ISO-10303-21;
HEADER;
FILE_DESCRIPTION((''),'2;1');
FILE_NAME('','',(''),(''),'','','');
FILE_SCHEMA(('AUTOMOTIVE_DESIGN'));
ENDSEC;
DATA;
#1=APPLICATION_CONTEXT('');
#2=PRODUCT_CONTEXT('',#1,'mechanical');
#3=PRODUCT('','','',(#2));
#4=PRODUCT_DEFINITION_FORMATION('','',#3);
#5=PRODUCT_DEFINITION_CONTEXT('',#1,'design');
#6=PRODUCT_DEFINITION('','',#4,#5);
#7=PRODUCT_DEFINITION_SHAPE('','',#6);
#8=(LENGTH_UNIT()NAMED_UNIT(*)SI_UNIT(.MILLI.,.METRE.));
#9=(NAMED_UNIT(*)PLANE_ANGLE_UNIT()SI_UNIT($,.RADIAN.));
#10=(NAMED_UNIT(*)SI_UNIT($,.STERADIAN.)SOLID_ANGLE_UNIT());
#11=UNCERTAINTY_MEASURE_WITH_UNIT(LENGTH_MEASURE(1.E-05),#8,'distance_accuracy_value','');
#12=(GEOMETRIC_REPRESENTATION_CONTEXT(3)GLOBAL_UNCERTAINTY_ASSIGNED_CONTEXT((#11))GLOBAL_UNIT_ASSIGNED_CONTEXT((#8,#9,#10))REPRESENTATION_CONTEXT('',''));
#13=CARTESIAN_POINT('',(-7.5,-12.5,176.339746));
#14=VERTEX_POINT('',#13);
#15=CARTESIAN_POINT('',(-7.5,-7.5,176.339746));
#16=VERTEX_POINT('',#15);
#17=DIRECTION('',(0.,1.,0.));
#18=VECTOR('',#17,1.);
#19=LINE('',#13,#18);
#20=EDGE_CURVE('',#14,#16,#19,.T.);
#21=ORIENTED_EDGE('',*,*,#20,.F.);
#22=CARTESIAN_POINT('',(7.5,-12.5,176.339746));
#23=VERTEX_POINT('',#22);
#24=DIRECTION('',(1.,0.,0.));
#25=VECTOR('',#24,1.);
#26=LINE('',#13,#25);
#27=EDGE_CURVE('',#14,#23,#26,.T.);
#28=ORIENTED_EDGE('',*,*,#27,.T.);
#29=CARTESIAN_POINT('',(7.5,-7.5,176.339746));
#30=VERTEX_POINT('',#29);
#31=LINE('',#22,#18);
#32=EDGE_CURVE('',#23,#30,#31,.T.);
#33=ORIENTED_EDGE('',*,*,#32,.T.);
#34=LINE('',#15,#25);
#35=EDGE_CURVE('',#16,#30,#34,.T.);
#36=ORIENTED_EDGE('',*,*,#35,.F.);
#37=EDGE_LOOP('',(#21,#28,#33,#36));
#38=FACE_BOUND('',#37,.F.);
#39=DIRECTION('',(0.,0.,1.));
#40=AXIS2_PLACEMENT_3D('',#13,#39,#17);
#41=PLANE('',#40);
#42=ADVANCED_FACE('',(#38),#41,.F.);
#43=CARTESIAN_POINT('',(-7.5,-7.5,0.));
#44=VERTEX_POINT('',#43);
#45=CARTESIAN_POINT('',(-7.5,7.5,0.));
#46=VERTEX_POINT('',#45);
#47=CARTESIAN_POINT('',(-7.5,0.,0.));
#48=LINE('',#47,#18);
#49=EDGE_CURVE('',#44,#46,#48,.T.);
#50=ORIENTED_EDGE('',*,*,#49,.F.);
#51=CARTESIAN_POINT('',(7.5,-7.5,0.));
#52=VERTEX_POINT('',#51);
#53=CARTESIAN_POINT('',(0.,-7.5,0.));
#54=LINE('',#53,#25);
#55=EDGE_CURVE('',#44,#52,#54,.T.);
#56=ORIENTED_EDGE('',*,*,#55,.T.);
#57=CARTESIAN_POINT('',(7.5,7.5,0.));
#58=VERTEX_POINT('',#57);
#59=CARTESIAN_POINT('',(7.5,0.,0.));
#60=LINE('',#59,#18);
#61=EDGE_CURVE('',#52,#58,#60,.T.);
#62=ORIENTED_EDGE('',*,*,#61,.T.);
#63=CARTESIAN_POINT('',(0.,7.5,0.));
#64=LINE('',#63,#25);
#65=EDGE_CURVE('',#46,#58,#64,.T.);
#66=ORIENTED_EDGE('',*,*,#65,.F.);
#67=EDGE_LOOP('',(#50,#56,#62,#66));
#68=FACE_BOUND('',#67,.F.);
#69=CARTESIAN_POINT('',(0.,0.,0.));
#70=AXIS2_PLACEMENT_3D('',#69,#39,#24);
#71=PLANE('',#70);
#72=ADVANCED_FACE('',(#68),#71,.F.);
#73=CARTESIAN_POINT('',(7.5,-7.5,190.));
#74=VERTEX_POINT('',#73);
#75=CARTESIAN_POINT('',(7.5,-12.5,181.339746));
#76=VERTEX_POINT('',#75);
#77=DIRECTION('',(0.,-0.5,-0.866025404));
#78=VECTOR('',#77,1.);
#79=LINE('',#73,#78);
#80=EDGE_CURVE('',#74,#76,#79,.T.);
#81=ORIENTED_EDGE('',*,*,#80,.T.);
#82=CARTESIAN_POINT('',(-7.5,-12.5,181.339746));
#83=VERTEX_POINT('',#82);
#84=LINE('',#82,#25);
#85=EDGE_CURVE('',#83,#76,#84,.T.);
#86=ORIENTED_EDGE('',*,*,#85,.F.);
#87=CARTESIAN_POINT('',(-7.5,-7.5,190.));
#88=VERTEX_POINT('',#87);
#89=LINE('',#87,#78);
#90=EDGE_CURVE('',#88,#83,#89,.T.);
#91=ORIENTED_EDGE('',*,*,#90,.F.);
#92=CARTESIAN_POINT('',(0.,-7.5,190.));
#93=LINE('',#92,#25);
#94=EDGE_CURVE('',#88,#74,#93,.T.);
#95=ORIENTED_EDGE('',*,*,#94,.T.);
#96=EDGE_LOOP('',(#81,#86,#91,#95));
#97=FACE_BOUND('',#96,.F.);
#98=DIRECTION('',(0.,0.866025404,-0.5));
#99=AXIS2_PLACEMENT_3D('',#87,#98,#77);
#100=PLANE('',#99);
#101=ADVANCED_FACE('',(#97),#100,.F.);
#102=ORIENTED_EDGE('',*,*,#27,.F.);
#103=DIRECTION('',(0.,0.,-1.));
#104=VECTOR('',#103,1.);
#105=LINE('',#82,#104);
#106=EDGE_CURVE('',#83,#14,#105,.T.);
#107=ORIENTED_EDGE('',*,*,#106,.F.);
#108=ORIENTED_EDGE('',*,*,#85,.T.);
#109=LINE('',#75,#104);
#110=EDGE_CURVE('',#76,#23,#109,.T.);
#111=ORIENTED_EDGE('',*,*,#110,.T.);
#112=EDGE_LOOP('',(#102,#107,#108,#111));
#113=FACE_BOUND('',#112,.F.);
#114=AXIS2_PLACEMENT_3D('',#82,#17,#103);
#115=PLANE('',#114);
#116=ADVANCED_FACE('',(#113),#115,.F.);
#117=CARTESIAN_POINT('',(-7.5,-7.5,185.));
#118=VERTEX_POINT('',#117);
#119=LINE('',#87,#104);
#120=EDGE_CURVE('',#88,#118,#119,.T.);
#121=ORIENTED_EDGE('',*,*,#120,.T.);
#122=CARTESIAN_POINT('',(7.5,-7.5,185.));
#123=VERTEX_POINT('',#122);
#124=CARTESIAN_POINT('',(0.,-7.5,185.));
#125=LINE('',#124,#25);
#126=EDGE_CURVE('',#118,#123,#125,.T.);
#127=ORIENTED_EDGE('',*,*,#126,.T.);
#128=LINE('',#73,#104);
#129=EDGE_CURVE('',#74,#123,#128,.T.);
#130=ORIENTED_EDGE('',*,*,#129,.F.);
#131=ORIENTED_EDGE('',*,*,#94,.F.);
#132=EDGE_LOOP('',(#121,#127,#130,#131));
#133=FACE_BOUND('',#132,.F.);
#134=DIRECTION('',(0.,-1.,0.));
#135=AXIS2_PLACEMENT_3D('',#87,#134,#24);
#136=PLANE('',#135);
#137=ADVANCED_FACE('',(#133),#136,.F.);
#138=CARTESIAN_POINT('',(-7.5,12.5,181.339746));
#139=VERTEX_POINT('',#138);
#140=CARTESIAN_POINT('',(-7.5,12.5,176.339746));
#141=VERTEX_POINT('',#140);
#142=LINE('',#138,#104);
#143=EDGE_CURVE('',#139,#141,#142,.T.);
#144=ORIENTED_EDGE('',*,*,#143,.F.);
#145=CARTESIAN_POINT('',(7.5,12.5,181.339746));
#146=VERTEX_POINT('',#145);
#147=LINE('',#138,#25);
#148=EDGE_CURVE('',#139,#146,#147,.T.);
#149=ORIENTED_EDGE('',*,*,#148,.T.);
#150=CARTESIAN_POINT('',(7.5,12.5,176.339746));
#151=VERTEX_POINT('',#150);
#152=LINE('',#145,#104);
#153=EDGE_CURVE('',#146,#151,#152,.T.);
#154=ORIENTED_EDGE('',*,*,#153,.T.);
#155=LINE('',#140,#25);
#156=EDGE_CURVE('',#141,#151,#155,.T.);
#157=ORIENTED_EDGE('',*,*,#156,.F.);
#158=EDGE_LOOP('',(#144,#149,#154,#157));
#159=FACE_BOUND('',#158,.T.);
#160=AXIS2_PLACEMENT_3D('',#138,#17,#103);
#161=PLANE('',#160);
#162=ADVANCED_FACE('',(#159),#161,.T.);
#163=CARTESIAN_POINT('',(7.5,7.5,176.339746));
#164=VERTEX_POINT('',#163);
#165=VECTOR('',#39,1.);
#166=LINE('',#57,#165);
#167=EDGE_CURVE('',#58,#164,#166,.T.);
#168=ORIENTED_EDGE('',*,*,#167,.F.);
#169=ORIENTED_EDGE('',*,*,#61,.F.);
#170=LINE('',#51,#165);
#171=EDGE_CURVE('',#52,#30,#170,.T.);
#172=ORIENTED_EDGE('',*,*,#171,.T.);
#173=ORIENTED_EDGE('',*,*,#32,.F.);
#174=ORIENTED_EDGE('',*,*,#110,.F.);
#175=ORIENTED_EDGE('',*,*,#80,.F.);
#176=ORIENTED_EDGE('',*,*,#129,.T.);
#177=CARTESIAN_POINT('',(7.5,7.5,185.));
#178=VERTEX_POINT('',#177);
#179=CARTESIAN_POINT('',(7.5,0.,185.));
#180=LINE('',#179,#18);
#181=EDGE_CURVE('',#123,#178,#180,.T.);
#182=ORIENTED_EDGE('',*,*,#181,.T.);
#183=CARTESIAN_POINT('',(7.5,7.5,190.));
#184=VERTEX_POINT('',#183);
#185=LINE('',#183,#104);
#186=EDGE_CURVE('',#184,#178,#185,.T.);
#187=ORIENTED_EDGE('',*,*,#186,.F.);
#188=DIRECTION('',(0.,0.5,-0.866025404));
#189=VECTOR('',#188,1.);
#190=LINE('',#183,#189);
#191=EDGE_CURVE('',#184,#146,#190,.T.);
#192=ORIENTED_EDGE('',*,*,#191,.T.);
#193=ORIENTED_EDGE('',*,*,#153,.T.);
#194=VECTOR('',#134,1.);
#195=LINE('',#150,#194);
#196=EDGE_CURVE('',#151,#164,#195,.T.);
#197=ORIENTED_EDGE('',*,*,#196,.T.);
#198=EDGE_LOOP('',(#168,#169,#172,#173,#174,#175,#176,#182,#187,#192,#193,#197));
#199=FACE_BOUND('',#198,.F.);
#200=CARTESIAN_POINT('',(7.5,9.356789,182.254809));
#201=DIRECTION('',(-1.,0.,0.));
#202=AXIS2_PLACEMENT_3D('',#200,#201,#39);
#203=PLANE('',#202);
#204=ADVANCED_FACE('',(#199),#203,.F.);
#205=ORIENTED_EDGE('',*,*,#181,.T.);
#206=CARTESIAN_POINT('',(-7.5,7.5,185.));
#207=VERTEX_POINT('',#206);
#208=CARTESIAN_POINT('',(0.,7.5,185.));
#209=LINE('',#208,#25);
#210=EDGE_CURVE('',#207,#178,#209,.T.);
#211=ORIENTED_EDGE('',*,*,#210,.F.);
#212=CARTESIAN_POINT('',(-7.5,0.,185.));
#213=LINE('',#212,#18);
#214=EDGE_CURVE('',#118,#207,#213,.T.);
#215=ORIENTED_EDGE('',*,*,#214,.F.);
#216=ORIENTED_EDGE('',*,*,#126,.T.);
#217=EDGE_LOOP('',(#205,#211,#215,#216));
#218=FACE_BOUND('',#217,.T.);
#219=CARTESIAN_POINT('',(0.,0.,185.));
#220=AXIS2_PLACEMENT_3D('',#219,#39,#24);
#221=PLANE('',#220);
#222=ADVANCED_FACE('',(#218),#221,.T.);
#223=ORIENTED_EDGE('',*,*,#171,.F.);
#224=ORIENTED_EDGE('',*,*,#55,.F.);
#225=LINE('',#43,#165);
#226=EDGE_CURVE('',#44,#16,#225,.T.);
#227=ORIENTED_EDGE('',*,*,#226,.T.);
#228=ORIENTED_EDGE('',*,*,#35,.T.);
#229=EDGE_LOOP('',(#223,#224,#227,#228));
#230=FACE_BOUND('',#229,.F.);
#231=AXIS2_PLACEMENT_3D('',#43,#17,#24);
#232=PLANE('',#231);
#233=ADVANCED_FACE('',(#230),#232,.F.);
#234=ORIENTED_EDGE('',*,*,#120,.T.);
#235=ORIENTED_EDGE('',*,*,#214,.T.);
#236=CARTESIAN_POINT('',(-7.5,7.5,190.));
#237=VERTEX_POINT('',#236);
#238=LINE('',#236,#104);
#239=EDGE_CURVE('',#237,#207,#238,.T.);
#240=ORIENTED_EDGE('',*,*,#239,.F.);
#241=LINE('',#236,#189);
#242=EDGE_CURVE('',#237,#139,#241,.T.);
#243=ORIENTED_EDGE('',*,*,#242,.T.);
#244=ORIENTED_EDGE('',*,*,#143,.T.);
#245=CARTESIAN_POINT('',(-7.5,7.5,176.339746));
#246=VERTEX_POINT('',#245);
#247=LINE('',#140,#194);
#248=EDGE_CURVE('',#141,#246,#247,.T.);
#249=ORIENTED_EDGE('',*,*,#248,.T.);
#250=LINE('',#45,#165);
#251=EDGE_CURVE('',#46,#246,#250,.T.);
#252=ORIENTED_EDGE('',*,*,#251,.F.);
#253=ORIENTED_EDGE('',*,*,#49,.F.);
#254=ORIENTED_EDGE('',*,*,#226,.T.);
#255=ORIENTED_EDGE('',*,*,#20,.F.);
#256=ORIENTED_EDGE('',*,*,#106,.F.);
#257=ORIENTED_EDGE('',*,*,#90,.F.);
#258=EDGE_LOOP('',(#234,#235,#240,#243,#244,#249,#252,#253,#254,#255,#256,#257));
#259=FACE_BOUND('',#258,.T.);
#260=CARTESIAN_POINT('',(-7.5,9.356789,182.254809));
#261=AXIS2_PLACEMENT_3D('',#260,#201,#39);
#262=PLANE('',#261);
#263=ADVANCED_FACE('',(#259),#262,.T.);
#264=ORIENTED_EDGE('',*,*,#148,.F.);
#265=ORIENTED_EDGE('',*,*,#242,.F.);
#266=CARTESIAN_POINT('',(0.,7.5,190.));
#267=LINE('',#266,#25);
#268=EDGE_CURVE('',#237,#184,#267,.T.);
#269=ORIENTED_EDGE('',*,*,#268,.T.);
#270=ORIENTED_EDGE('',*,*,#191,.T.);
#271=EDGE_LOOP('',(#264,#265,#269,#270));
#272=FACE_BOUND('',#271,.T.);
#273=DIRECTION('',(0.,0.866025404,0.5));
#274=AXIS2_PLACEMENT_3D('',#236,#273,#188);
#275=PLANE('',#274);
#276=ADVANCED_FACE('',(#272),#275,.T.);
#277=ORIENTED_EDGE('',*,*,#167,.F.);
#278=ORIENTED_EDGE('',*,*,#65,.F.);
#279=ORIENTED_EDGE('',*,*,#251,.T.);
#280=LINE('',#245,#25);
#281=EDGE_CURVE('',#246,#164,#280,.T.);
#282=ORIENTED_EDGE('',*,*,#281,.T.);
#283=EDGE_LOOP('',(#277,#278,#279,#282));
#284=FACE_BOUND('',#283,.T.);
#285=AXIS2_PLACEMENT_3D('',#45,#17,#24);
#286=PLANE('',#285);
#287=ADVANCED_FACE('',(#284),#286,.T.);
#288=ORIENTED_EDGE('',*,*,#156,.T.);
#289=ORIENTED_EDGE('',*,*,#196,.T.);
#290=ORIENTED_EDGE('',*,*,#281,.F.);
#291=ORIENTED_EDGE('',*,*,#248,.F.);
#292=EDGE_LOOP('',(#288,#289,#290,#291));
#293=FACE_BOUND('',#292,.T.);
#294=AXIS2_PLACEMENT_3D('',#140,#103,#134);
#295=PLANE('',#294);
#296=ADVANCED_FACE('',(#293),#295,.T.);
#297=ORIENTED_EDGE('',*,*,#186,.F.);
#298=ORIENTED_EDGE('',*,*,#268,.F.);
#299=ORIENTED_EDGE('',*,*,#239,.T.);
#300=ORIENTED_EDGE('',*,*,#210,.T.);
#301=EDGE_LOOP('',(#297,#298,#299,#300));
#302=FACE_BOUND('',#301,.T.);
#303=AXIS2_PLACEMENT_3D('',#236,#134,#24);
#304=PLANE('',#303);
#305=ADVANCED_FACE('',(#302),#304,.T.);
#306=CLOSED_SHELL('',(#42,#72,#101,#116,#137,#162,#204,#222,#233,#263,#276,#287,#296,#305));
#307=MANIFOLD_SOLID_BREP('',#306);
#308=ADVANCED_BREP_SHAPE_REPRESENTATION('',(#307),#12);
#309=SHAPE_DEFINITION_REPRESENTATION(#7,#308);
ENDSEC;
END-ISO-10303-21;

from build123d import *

# Parameters (mm, degrees)
SKETCH1_W           = 15
SKETCH1_H           = 15
BOSS_EXTRUDE1_DEPTH = 190
BOSS_EXTRUDE2_DEPTH = 15
SKETCH3_W           = 15
SKETCH3_H           = 15
CUT_EXTRUDE1_DEPTH  = 5


with BuildPart() as part:
    # Sketch1 → Boss-Extrude1 (new body)
    with BuildSketch(Plane.XY):
        Rectangle(SKETCH1_W, SKETCH1_H)
    extrude(amount=BOSS_EXTRUDE1_DEPTH)

    # Sketch2 → Boss-Extrude2 (add)
    with BuildSketch(Plane.ZY.offset(7.5)):
        Polygon((190, 7.5), (181.339745962, 12.5), (176.339745962, 12.5), (176.339745962, 7.5), align=None)
        Polygon((176.339745962, -12.5), (176.339745962, -7.5), (190, -7.5), (181.339745962, -12.5), align=None)
    extrude(amount=-BOSS_EXTRUDE2_DEPTH)

    # Sketch3 → Cut-Extrude1 (cut)
    with BuildSketch(Plane.XY.offset(190)):
        Rectangle(SKETCH3_W, SKETCH3_H)
    extrude(amount=-CUT_EXTRUDE1_DEPTH, mode=Mode.SUBTRACT)


solid = part.part
